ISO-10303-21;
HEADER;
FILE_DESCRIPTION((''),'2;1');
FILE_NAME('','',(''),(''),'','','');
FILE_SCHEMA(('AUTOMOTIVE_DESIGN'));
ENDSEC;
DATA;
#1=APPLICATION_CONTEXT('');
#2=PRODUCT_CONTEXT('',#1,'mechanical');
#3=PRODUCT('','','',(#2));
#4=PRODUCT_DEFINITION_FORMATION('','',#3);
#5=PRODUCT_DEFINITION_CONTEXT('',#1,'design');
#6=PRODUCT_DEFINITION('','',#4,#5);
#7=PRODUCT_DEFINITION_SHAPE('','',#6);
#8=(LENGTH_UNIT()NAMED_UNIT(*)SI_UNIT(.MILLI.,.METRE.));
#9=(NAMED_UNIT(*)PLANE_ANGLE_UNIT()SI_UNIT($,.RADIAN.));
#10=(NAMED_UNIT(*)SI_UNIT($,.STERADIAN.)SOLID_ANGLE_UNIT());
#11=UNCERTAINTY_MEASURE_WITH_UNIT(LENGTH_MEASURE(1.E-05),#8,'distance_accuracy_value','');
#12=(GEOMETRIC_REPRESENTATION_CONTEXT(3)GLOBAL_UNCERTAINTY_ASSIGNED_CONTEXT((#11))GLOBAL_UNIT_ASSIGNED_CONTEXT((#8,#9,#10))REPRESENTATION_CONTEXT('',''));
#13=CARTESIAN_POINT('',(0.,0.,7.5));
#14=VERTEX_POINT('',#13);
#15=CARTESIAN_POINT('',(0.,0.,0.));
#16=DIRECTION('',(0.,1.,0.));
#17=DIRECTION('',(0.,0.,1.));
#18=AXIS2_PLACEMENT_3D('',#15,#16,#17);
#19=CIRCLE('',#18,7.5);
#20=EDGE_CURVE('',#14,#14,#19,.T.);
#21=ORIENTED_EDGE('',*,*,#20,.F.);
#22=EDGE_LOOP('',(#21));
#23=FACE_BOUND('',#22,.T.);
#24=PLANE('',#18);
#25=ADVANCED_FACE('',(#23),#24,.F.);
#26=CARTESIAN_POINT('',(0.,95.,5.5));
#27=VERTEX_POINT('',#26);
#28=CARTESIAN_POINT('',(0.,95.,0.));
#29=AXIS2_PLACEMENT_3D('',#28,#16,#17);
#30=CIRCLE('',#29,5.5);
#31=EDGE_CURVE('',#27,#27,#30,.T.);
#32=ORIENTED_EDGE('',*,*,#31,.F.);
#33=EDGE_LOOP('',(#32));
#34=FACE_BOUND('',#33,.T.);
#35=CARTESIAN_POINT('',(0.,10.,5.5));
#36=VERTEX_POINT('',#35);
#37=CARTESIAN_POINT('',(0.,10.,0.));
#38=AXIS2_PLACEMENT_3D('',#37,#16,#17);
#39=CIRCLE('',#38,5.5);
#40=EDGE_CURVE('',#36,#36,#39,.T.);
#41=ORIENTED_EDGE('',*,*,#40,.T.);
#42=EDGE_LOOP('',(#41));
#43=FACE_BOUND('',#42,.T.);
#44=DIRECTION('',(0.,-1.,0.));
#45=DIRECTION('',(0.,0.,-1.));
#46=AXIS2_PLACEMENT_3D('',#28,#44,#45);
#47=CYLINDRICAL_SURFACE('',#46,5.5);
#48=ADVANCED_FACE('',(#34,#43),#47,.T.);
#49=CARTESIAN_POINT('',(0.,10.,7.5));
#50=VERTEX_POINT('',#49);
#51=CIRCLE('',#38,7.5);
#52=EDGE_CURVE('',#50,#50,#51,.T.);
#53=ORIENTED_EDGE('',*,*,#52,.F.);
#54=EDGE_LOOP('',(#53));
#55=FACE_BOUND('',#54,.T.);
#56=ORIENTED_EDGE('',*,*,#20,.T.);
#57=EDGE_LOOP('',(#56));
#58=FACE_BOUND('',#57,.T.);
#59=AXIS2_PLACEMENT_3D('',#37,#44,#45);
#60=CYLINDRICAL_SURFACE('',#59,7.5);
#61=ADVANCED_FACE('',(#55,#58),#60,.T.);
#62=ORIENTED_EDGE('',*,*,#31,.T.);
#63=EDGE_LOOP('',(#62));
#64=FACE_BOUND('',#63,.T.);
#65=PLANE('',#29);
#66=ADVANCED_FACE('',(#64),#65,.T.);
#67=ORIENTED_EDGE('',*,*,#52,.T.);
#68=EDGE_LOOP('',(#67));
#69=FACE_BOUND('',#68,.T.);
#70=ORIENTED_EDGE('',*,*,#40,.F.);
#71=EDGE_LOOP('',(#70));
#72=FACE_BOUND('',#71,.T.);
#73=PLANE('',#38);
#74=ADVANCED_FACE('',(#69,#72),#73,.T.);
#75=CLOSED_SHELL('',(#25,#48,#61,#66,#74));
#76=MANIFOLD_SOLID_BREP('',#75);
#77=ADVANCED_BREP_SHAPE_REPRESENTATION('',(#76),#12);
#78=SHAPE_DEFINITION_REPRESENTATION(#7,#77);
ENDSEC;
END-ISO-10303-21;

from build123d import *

# Parameters (mm, degrees)
SKETCH1_R           = 7.5
BOSS_EXTRUDE2_DEPTH = 10
SKETCH2_R           = 5.5
BOSS_EXTRUDE4_DEPTH = 85


with BuildPart() as part:
    # Sketch1 → Boss-Extrude2 (new body)
    with BuildSketch(Plane(origin=(0, 0, 0), x_dir=(1, 0, 0), z_dir=(0, 1, 0))):
        with Locations(Location((0, 0, 0), (0, 0, 270))):
            Circle(SKETCH1_R)
    extrude(amount=BOSS_EXTRUDE2_DEPTH)

    # Sketch2 → Boss-Extrude4 (add)
    with BuildSketch(Plane(origin=(0, 10, 0), x_dir=(1, 0, 0), z_dir=(0, 1, 0))):
        with Locations(Location((0, 0, 0), (0, 0, 270))):
            Circle(SKETCH2_R)
    extrude(amount=BOSS_EXTRUDE4_DEPTH)


solid = part.part
